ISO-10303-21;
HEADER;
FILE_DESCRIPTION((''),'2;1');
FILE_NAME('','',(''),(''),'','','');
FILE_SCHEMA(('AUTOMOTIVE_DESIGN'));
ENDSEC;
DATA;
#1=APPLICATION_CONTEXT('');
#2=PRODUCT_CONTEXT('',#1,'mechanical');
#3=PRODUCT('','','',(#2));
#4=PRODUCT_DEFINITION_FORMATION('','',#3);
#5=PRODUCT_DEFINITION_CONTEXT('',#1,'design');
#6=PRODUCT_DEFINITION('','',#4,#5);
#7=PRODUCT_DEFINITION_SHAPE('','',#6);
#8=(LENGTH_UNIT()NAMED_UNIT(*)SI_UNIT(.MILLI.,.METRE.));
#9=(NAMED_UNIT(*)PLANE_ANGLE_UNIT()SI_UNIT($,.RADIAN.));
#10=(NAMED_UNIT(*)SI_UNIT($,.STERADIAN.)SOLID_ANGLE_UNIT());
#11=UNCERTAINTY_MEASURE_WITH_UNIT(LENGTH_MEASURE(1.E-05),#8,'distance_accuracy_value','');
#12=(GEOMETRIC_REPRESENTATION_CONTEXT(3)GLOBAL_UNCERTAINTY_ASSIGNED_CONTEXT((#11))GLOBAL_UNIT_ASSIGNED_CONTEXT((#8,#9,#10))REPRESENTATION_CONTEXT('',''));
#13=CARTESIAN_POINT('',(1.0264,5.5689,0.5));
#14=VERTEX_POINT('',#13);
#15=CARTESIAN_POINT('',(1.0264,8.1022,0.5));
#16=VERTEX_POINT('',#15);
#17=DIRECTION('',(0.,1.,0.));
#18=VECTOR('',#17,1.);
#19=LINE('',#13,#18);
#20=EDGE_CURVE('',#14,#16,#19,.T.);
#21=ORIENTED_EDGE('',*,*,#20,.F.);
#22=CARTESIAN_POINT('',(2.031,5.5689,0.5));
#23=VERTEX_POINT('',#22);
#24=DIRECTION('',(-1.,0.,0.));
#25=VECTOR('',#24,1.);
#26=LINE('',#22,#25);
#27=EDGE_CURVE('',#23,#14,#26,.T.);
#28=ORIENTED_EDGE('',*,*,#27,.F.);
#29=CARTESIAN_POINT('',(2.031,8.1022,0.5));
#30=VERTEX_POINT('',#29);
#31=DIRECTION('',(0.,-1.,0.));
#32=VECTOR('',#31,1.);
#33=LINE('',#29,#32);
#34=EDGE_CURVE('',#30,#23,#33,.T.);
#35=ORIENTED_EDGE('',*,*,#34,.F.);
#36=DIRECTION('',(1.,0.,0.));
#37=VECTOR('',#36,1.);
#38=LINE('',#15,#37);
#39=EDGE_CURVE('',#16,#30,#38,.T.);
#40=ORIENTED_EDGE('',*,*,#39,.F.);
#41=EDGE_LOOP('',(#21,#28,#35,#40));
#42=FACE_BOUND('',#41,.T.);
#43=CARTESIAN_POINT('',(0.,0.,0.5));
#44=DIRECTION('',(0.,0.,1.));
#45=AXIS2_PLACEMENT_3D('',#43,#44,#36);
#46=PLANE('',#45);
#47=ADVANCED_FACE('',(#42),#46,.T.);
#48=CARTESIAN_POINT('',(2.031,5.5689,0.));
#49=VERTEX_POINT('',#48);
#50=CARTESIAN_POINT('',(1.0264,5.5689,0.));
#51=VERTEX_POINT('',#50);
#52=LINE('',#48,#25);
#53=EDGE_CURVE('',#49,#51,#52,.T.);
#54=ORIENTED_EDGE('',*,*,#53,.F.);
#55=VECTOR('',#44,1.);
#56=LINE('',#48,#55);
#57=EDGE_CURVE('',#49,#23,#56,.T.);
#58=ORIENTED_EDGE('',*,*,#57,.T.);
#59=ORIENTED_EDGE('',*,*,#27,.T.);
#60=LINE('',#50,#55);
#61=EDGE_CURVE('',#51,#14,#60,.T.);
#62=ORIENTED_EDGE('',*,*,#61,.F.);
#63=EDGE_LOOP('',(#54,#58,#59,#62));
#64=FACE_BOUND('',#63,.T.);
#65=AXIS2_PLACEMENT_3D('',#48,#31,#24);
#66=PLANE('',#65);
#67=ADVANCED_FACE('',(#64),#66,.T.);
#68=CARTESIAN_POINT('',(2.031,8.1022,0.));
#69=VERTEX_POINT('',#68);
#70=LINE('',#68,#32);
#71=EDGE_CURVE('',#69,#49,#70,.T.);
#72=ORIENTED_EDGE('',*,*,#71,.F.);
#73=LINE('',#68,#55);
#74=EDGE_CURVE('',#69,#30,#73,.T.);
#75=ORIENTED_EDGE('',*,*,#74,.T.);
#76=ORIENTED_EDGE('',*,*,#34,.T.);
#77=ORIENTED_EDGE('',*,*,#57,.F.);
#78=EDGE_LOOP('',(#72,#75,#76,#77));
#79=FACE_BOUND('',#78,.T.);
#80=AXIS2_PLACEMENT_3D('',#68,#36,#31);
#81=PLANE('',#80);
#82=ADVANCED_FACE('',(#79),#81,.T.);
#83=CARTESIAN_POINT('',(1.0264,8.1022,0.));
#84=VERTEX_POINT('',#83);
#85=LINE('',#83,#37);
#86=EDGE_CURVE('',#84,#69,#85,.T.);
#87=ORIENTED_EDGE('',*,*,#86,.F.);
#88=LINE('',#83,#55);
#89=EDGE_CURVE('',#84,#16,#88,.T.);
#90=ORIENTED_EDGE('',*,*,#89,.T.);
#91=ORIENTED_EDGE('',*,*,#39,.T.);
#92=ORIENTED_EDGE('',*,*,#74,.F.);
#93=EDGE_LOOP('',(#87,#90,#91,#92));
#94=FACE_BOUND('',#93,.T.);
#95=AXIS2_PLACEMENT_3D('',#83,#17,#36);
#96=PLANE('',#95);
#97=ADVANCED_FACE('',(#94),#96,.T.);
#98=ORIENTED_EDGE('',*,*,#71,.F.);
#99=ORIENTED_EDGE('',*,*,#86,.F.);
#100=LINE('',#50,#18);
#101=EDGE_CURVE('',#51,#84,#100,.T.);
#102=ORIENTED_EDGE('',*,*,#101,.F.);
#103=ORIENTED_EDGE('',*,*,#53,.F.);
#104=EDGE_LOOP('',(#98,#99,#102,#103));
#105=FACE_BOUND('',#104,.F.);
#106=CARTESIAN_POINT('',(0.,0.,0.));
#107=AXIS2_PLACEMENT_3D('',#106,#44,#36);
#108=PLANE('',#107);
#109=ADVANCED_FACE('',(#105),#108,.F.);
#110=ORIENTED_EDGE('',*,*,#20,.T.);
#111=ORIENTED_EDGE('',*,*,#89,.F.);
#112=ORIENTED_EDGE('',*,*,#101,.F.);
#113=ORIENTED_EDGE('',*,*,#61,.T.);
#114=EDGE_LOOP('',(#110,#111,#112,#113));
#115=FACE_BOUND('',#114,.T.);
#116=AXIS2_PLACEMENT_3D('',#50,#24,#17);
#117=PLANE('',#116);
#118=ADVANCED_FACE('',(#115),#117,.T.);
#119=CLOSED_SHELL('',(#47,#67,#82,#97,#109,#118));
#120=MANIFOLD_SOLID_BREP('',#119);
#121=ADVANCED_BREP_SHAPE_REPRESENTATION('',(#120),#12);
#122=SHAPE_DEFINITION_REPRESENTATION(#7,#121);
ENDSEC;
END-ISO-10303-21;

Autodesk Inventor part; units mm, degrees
ref_plane "YZ Plane" through (0, 0, 0) normal (1, 0, 0) x (0, 1, 0)
ref_plane "XZ Plane" through (0, 0, 0) normal (0, 1, 0) x (-1, 0, 0)
ref_plane "XY Plane" through (0, 0, 0) normal (0, 0, 1) x (1, 0, 0)
sketch "Sketch1" plane through (0, 0, 0) normal (0, 0, 1) x (1, 0, 0)
  line L0 (1.0264, 8.1022) -> (2.031, 8.1022)
  line L1 (2.031, 8.1022) -> (2.031, 5.5689)
  line L2 (2.031, 5.5689) -> (1.0264, 5.5689)
  line L3 (1.0264, 5.5689) -> (1.0264, 8.1022)
  point P0 (0, 0)
extrude "Extrusion1" add sketch "Sketch1" along normal blind 0.5
properties part number "sensor"
